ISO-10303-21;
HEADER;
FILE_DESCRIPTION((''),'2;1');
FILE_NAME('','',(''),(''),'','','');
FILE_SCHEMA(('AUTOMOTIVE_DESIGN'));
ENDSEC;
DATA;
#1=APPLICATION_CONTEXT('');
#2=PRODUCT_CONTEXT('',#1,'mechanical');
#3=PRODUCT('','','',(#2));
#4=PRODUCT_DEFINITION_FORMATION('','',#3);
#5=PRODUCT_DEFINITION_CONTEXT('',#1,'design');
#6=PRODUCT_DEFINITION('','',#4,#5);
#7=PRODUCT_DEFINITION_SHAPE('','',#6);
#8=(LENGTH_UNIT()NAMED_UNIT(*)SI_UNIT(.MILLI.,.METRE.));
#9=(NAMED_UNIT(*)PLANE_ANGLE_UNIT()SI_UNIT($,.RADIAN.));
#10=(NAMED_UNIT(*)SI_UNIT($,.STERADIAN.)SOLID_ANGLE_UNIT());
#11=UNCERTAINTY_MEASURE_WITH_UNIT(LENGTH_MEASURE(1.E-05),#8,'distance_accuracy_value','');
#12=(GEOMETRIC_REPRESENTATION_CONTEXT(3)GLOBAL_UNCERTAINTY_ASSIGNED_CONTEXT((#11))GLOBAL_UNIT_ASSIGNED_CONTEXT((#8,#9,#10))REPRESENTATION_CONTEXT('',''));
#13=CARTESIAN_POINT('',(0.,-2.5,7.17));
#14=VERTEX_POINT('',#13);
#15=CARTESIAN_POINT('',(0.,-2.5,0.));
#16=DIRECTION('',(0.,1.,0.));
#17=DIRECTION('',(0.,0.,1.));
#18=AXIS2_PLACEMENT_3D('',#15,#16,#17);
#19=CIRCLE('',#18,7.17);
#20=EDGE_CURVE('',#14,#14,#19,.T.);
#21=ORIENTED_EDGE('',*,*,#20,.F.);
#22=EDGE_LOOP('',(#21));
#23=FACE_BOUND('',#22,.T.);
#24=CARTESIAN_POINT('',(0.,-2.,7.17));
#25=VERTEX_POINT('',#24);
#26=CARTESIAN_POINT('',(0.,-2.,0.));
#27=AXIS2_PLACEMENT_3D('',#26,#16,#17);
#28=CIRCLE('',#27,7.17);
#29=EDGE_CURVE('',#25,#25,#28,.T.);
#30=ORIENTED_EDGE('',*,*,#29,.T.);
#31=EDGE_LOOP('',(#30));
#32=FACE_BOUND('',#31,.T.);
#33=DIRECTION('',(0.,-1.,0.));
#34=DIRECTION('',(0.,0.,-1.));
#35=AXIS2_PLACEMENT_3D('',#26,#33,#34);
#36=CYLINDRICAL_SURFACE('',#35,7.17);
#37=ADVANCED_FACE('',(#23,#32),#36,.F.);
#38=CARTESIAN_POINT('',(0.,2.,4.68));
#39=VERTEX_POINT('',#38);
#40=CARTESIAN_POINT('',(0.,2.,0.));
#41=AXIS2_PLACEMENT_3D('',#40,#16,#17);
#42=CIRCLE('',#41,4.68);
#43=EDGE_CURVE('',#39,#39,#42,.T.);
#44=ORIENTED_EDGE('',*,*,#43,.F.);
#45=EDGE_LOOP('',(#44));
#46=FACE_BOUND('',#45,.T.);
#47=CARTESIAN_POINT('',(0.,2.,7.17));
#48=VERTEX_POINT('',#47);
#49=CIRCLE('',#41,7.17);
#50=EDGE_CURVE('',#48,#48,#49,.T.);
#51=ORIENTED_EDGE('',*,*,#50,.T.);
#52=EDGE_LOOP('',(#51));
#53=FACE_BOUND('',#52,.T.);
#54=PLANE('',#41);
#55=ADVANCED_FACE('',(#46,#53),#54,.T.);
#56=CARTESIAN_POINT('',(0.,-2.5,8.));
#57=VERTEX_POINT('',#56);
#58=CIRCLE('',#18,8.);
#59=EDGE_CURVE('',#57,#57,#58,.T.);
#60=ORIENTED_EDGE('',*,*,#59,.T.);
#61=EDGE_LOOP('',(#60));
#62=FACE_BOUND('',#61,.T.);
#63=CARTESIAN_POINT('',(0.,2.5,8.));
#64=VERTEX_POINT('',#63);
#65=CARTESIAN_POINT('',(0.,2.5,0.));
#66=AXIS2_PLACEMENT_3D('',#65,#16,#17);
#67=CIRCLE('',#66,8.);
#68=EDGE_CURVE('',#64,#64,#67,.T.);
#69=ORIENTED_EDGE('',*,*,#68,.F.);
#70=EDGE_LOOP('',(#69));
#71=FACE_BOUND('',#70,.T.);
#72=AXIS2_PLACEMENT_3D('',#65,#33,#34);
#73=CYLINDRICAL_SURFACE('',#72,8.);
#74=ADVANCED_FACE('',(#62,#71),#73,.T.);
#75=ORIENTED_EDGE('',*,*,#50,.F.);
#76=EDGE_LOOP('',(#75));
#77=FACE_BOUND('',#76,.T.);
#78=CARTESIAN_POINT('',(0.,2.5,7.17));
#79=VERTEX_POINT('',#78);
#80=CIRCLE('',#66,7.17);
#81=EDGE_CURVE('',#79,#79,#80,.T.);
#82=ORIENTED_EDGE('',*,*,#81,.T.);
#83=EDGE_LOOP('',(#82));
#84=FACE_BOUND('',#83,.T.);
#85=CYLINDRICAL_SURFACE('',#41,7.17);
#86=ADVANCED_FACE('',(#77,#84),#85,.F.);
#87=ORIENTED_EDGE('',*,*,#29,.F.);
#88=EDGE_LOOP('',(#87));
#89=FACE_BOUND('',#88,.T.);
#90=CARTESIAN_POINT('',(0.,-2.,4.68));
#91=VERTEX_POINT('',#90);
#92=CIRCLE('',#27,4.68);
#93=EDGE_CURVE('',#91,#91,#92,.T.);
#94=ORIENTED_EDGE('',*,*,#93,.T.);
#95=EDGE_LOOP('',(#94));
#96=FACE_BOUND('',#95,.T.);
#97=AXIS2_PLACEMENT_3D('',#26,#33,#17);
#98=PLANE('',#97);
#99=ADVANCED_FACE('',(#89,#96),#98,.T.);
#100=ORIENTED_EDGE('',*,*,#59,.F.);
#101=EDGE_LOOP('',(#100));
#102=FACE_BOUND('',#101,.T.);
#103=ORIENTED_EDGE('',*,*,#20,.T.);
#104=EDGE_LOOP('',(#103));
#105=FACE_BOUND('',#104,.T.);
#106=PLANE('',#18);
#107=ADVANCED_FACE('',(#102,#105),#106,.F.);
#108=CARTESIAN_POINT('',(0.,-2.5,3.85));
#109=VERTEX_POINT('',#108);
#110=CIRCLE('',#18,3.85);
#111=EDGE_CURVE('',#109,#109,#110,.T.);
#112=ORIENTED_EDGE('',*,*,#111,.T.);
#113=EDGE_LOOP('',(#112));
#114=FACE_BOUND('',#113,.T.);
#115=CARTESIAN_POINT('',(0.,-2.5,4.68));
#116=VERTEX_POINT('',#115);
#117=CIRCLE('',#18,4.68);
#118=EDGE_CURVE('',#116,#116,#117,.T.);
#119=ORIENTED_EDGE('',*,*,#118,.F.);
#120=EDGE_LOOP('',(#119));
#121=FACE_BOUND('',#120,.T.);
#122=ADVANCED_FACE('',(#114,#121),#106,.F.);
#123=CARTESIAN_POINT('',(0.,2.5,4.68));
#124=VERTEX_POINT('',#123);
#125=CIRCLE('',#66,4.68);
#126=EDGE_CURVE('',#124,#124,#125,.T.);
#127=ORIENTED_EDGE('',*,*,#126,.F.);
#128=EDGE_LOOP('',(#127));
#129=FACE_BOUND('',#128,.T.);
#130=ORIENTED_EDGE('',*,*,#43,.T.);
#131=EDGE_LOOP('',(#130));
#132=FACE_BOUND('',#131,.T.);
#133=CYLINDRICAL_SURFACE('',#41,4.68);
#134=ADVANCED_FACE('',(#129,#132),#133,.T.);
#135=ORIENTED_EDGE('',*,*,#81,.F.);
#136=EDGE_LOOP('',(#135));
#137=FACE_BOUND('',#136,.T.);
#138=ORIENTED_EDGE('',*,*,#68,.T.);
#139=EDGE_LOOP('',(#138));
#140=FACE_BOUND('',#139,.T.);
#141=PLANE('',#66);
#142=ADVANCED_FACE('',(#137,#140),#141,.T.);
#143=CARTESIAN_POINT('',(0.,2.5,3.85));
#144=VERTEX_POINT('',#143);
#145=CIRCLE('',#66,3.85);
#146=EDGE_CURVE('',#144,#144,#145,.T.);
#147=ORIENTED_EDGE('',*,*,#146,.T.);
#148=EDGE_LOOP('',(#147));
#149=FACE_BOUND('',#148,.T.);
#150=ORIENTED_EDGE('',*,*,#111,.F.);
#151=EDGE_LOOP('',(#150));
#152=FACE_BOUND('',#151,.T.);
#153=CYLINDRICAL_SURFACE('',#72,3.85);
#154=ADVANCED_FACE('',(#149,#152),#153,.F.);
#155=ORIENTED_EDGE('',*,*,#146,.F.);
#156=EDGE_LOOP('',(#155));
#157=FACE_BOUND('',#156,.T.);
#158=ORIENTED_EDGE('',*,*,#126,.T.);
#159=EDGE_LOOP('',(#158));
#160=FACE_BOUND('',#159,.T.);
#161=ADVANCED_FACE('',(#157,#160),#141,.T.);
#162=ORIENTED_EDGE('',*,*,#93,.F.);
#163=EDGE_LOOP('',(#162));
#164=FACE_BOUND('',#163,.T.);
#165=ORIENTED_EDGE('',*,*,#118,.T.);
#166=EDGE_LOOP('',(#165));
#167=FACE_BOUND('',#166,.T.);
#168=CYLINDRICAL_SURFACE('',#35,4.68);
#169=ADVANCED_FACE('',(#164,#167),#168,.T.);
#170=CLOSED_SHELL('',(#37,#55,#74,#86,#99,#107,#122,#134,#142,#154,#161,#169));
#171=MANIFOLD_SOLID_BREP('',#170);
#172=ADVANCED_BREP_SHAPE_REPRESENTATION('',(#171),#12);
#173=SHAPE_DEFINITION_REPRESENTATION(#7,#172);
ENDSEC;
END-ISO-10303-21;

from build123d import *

# Parameters (mm, degrees)
SKETCH_1_R          = 8
SKETCH_1_R_2        = 3.85
EXTRUDE_1_DEPTH     = 2.5
SKETCH_2_R          = 7.17
SKETCH_2_R_2        = 4.68
CUT_EXTRUDE_1_DEPTH = 0.5


with BuildPart() as part:
    # Эскиз1 → Бобышка-Вытянуть1 (new, symmetric)
    with BuildSketch(Plane(origin=(0, 0, 0), x_dir=(1, 0, 0), z_dir=(0, 1, 0))):
        with Locations(Location((0, 0, 0), (0, 0, 270))):
            Circle(SKETCH_1_R)
        with Locations(Location((0, 0, 0), (0, 0, 270))):
            Circle(SKETCH_1_R_2, mode=Mode.SUBTRACT)
    extrude(amount=EXTRUDE_1_DEPTH, both=True)

    # Эскиз2 → Вырез-Вытянуть1 (cut)
    with BuildSketch(Plane(origin=(0, 2.5, 0), x_dir=(1, 0, 0), z_dir=(0, 1, 0))):
        with Locations(Location((0, 0, 0), (0, 0, 270))):
            Circle(SKETCH_2_R)
        with Locations(Location((0, 0, 0), (0, 0, 270))):
            Circle(SKETCH_2_R_2, mode=Mode.SUBTRACT)
    cut_extrude_1 = extrude(amount=-CUT_EXTRUDE_1_DEPTH, mode=Mode.SUBTRACT)

    # Зеркальное отражение1: Вырез-Вытянуть1 across plane
    add(cut_extrude_1.mirror(Plane.ZX), mode=Mode.SUBTRACT)


solid = part.part
